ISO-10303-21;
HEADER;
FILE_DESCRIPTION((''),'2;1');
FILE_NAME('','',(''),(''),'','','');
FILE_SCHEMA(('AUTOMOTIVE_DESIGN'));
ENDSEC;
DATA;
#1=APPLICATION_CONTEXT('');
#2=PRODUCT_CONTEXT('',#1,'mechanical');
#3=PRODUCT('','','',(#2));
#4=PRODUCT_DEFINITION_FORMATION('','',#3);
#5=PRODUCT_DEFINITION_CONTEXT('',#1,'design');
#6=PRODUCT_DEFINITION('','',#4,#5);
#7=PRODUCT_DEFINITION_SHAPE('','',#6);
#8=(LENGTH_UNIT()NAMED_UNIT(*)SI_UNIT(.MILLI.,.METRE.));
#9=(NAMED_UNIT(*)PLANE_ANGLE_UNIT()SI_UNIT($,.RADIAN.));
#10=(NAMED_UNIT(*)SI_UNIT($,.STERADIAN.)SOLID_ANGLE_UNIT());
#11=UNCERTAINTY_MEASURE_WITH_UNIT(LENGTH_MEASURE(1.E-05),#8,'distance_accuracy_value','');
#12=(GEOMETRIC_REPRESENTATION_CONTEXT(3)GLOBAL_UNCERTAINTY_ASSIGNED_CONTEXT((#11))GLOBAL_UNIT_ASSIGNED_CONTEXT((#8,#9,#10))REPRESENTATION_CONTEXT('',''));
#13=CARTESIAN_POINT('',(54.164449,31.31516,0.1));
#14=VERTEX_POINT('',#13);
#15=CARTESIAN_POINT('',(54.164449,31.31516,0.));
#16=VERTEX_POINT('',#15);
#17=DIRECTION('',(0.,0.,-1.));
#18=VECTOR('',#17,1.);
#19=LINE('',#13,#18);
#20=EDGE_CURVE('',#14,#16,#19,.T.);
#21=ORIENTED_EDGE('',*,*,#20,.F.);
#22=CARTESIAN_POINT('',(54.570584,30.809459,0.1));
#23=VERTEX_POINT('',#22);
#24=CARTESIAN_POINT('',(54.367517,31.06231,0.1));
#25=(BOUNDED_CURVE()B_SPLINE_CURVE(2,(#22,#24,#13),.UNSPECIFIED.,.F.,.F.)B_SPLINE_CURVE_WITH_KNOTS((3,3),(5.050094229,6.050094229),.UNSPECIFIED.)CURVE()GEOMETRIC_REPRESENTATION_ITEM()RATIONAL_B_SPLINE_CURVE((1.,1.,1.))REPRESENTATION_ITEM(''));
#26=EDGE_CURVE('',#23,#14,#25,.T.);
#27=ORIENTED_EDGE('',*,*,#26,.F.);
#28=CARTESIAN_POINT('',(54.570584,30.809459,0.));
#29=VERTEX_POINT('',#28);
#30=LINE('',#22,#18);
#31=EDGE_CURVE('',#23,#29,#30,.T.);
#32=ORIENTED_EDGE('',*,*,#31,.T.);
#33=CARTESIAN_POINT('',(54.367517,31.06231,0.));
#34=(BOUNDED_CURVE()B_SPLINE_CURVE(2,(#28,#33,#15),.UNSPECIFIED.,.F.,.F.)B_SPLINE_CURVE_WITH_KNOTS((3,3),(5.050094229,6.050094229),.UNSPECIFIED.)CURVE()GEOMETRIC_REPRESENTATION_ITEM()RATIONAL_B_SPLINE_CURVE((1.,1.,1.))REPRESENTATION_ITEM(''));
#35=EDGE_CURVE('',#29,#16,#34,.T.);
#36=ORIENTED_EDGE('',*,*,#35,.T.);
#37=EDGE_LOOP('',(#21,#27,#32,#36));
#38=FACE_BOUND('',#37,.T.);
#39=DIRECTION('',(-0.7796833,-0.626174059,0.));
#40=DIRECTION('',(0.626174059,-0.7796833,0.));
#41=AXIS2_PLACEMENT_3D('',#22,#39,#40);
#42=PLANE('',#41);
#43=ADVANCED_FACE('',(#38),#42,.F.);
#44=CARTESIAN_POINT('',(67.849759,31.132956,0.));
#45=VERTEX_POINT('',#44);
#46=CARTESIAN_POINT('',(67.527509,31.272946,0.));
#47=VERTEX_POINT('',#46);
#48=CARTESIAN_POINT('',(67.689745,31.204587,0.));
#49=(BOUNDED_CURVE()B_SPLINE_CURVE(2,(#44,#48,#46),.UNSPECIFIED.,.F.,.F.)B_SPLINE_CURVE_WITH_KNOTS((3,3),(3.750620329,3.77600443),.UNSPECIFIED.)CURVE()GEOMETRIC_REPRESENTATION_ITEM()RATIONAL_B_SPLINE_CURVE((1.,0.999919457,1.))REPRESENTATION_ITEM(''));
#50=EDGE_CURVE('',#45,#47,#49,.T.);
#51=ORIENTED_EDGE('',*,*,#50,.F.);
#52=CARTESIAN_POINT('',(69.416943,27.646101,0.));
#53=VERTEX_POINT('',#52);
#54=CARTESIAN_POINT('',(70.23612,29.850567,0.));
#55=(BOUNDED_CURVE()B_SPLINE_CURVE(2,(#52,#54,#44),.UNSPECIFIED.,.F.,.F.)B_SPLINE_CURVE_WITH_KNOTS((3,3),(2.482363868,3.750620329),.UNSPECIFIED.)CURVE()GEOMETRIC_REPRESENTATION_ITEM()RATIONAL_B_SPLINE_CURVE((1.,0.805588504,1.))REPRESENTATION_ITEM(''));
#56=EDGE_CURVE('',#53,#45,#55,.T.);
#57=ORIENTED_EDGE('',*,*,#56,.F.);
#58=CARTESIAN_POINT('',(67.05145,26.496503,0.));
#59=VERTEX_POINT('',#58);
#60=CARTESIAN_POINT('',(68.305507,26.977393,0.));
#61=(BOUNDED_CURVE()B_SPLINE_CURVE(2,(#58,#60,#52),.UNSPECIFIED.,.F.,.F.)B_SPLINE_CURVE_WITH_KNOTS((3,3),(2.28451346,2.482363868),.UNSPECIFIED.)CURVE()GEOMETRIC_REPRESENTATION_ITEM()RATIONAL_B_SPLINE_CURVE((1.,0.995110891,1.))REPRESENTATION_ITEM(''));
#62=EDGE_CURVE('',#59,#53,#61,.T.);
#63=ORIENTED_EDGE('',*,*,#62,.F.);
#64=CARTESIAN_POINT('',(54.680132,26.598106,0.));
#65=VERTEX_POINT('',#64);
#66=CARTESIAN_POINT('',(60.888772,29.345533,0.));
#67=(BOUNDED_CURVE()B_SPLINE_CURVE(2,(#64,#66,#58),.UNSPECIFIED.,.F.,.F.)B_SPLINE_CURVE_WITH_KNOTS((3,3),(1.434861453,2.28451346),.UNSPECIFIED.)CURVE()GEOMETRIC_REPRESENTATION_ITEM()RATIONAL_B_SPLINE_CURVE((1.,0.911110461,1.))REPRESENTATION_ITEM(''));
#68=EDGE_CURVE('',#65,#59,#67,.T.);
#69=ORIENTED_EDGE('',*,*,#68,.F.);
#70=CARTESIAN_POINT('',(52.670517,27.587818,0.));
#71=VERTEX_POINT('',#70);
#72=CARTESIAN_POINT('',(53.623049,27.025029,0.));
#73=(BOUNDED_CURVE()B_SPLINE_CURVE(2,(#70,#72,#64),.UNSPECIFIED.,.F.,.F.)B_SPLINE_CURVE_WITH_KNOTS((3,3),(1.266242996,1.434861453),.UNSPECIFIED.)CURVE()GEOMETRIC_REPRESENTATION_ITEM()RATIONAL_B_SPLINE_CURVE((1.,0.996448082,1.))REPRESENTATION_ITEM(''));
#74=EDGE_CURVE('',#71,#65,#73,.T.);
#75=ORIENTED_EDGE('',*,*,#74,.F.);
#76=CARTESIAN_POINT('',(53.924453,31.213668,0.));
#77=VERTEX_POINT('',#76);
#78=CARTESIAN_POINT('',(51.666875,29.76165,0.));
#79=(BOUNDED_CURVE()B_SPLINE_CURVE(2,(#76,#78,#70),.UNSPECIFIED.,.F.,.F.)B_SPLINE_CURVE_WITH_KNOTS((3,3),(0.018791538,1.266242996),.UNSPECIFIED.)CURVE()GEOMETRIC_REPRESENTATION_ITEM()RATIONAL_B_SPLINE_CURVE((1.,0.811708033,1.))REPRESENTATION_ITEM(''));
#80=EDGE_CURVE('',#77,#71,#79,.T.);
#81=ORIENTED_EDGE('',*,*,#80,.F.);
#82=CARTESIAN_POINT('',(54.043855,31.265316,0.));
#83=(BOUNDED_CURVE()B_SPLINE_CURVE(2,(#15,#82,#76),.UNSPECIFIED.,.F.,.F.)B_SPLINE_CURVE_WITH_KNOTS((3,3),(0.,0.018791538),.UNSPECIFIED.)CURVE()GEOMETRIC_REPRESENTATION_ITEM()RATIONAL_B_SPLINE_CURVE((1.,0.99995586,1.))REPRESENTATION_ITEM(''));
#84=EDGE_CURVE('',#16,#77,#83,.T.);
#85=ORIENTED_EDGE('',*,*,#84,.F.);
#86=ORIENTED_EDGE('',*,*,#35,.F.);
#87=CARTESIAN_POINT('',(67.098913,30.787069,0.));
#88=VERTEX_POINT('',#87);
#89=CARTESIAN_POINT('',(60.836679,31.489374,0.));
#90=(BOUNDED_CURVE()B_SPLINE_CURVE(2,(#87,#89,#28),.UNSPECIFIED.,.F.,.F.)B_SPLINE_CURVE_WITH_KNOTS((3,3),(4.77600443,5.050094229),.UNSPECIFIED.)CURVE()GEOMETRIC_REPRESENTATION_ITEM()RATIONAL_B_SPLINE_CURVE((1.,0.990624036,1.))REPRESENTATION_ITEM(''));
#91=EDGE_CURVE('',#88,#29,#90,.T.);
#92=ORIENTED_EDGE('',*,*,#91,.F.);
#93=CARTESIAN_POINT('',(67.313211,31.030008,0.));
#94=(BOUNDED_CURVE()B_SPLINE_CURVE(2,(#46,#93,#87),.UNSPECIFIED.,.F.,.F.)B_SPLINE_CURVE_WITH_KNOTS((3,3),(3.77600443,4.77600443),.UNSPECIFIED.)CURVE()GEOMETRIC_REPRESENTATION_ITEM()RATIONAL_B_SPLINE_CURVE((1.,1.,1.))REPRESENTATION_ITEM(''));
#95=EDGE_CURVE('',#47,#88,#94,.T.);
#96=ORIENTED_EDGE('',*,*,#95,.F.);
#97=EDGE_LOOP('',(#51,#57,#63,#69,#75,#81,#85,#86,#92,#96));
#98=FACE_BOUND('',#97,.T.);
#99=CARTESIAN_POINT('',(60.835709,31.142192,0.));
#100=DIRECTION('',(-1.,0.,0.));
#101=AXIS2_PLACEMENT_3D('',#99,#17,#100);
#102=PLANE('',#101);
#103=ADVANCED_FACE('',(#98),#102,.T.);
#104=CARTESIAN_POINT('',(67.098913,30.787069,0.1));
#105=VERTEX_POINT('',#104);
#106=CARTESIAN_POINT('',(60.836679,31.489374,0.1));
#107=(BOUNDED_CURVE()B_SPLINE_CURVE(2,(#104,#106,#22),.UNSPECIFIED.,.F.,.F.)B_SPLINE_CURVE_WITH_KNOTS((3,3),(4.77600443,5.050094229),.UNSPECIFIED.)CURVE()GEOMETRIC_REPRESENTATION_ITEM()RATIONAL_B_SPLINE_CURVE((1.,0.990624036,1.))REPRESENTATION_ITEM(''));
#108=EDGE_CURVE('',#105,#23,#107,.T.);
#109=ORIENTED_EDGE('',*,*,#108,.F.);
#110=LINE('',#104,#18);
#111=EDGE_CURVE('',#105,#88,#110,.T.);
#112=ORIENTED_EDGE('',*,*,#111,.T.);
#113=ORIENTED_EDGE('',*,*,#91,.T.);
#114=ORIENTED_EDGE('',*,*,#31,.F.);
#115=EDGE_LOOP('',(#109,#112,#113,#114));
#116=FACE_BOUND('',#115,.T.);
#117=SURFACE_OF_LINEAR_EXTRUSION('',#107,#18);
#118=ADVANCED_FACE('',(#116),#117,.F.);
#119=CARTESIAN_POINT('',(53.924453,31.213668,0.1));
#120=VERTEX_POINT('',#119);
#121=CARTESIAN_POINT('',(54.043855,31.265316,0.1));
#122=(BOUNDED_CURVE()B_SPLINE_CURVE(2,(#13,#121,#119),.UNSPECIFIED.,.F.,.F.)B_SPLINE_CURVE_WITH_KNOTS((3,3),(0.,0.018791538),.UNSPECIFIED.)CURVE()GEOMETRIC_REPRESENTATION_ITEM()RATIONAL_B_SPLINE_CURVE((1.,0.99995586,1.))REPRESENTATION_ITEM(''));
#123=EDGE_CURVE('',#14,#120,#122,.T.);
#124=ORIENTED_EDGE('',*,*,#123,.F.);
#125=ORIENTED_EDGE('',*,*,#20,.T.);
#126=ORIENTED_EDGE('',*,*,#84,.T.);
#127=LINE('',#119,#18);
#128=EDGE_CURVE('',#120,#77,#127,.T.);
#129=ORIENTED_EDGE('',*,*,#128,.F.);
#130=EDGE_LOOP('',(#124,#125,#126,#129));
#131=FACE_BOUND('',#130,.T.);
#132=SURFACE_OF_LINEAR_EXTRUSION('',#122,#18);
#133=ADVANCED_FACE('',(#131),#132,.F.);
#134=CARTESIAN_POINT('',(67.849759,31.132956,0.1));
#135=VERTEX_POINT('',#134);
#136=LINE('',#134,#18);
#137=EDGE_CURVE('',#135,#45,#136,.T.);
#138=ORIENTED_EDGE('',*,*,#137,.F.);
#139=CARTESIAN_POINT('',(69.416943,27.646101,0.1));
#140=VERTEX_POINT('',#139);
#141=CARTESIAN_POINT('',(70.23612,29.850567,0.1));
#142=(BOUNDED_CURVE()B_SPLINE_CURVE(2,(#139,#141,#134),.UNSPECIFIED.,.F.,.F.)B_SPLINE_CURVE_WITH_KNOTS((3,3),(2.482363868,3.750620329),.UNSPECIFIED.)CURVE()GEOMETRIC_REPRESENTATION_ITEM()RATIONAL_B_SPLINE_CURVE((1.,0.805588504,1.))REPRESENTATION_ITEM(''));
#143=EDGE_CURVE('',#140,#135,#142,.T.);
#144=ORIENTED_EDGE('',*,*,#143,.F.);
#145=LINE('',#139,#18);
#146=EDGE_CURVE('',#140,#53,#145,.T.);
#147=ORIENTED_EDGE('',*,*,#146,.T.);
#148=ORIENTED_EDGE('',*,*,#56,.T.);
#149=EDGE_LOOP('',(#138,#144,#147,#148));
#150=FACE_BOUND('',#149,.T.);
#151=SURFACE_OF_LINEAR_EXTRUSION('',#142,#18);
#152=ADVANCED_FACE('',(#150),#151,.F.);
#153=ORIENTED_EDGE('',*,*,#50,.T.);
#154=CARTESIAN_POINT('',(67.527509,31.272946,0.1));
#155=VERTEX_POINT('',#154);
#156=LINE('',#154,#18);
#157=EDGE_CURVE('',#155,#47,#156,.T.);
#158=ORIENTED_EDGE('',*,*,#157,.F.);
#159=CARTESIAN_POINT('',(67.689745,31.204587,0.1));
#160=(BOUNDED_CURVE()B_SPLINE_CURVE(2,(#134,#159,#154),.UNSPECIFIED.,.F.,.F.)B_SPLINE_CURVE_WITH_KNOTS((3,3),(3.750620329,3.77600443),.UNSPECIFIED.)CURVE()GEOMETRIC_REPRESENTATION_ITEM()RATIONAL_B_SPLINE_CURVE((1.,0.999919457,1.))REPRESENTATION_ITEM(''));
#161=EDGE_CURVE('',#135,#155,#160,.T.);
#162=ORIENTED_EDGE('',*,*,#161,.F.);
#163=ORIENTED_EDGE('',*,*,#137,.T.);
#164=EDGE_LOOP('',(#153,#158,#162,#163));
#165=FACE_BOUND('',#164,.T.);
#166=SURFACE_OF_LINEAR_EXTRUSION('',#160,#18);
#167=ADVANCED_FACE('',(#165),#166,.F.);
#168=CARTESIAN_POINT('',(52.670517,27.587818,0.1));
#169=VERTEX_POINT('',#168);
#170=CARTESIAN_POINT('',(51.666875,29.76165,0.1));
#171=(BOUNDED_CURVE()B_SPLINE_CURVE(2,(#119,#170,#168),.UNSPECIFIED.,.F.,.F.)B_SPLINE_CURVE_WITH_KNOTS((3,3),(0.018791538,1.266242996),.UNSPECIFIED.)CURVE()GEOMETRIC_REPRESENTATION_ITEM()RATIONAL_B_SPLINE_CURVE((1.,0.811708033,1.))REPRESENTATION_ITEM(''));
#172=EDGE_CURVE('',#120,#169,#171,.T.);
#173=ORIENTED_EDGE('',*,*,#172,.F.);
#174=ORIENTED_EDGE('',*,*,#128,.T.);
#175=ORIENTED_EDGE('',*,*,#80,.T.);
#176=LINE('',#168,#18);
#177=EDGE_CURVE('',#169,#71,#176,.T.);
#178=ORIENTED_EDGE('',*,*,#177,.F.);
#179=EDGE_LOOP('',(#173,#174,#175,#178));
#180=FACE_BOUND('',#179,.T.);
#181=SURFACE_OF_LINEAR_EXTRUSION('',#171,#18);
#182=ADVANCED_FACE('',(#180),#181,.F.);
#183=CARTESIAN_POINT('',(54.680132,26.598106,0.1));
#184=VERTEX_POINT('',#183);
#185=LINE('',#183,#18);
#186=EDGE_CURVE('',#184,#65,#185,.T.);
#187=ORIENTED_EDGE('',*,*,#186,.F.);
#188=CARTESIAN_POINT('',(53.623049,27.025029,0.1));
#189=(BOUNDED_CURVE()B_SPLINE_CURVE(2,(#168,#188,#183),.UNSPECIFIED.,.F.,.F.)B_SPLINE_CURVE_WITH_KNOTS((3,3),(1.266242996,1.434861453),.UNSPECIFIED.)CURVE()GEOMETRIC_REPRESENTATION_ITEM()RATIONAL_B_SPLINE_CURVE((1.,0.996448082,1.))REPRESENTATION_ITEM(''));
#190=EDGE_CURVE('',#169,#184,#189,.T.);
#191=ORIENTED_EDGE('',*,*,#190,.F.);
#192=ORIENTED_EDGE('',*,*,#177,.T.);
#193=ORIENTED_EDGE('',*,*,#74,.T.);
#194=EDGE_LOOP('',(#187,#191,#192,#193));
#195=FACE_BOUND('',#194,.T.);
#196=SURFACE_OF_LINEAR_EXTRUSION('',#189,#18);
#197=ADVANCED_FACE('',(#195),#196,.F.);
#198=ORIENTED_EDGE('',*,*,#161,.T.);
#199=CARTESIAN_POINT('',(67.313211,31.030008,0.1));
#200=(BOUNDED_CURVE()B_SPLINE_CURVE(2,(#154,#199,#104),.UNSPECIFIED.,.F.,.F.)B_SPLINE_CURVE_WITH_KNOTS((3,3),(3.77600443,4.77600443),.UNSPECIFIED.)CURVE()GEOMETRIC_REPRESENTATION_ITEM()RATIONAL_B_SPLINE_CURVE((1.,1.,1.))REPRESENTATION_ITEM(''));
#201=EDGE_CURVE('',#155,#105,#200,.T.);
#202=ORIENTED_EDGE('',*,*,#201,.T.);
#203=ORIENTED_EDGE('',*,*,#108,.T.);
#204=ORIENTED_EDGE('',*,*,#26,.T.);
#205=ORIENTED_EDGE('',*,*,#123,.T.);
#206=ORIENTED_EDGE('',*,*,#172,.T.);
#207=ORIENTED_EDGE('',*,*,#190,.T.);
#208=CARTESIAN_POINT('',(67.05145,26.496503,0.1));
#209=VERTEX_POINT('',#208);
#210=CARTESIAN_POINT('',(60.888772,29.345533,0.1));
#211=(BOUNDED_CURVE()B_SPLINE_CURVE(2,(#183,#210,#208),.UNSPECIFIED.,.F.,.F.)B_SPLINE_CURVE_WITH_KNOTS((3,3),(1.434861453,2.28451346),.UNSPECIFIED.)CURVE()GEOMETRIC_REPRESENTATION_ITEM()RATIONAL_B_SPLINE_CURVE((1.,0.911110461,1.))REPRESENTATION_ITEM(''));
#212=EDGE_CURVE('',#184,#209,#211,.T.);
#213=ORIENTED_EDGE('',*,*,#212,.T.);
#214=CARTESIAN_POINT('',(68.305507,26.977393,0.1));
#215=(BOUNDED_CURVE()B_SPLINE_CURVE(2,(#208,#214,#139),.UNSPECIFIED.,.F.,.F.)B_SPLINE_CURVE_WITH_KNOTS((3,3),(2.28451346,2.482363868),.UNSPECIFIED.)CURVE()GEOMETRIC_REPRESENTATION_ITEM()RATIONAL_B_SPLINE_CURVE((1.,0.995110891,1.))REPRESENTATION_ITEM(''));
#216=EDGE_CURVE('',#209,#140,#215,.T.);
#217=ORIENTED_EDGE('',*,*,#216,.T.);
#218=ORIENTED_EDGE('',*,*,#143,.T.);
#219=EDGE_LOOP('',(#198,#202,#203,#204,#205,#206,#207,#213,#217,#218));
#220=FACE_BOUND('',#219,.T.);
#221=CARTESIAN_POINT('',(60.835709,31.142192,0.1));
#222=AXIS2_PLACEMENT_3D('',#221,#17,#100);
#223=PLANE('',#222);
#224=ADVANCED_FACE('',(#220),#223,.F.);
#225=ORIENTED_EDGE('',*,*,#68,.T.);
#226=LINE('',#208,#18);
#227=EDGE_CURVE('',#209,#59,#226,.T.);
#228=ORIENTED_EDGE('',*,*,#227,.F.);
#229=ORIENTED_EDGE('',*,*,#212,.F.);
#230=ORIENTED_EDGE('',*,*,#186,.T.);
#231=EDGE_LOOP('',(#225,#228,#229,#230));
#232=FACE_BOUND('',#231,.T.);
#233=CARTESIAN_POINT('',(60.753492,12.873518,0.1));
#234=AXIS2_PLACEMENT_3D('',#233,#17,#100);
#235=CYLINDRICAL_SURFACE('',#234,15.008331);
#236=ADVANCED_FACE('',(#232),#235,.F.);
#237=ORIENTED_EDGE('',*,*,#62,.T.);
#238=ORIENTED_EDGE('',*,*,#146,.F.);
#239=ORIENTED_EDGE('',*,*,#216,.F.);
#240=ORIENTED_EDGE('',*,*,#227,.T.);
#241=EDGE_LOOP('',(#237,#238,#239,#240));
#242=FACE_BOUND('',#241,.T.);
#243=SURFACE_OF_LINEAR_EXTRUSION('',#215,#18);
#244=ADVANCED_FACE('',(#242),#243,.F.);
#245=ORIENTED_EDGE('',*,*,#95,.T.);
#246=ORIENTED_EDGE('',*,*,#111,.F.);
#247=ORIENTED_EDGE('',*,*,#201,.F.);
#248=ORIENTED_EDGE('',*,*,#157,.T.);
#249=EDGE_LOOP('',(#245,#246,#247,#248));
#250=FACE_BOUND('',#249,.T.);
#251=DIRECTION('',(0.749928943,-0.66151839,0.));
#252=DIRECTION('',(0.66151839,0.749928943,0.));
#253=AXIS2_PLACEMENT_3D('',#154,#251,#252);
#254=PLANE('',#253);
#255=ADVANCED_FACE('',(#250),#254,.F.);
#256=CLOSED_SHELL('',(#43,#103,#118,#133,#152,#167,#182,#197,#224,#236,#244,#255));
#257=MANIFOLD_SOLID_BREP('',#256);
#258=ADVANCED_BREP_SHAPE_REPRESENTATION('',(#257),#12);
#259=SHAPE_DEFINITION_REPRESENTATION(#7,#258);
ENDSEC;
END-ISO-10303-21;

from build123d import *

# Parameters (mm, degrees)
SALIENTE_EXTRUIR1_DEPTH = 0.1


with BuildPart() as part:
    # Model → Saliente-Extruir1 (new body)
    with BuildSketch(Plane.XY):
        with BuildLine():
            add(Edge.make_bspline(
                [(54.570583832, 30.809459397), (54.367516513, 31.062309536), (54.164449193, 31.315159675)],
                knots=[5.050094229, 5.050094229, 5.050094229, 6.050094229, 6.050094229, 6.050094229], degree=2, weights=[1, 1, 1]))
            add(Edge.make_bspline(
                [(54.164449193, 31.315159675), (54.043855277, 31.265315881), (53.924453385, 31.213668077)],
                knots=[0, 0, 0, 0.018791538, 0.018791538, 0.018791538], degree=2, weights=[1, 0.99995586, 1]))
            add(Edge.make_bspline(
                [(53.924453385, 31.213668077), (51.666875483, 29.761650164), (52.670517155, 27.587817765)],
                knots=[0.018791538, 0.018791538, 0.018791538, 1.266242996, 1.266242996, 1.266242996], degree=2, weights=[1, 0.811708033, 1]))
            add(Edge.make_bspline(
                [(52.670517155, 27.587817765), (53.62304942, 27.025028989), (54.680131861, 26.59810553)],
                knots=[1.266242996, 1.266242996, 1.266242996, 1.434861453, 1.434861453, 1.434861453], degree=2, weights=[1, 0.996448082, 1]))
            add(Edge.make_bspline(
                [(54.680131861, 26.59810553), (60.888771996, 29.345532705), (67.05144986, 26.496503052)],
                knots=[1.434861453, 1.434861453, 1.434861453, 2.28451346, 2.28451346, 2.28451346], degree=2, weights=[1, 0.911110461, 1]))
            add(Edge.make_bspline(
                [(67.05144986, 26.496503052), (68.305506812, 26.977392792), (69.416942944, 27.646101117)],
                knots=[2.28451346, 2.28451346, 2.28451346, 2.482363868, 2.482363868, 2.482363868], degree=2, weights=[1, 0.995110891, 1]))
            add(Edge.make_bspline(
                [(69.416942944, 27.646101117), (70.236120065, 29.850566621), (67.849759205, 31.132955517)],
                knots=[2.482363868, 2.482363868, 2.482363868, 3.750620329, 3.750620329, 3.750620329], degree=2, weights=[1, 0.805588504, 1]))
            add(Edge.make_bspline(
                [(67.849759205, 31.132955517), (67.689744673, 31.204586758), (67.527509068, 31.272945811)],
                knots=[3.750620329, 3.750620329, 3.750620329, 3.77600443, 3.77600443, 3.77600443], degree=2, weights=[1, 0.999919457, 1]))
            add(Edge.make_bspline(
                [(67.527509068, 31.272945811), (67.313211267, 31.030007557), (67.098913467, 30.787069303)],
                knots=[3.77600443, 3.77600443, 3.77600443, 4.77600443, 4.77600443, 4.77600443], degree=2, weights=[1, 1, 1]))
            add(Edge.make_bspline(
                [(67.098913467, 30.787069303), (60.836678527, 31.489373894), (54.570583832, 30.809459397)],
                knots=[4.77600443, 4.77600443, 4.77600443, 5.050094229, 5.050094229, 5.050094229], degree=2, weights=[1, 0.990624036, 1]))
        make_face()
    extrude(amount=SALIENTE_EXTRUIR1_DEPTH)


solid = part.part
